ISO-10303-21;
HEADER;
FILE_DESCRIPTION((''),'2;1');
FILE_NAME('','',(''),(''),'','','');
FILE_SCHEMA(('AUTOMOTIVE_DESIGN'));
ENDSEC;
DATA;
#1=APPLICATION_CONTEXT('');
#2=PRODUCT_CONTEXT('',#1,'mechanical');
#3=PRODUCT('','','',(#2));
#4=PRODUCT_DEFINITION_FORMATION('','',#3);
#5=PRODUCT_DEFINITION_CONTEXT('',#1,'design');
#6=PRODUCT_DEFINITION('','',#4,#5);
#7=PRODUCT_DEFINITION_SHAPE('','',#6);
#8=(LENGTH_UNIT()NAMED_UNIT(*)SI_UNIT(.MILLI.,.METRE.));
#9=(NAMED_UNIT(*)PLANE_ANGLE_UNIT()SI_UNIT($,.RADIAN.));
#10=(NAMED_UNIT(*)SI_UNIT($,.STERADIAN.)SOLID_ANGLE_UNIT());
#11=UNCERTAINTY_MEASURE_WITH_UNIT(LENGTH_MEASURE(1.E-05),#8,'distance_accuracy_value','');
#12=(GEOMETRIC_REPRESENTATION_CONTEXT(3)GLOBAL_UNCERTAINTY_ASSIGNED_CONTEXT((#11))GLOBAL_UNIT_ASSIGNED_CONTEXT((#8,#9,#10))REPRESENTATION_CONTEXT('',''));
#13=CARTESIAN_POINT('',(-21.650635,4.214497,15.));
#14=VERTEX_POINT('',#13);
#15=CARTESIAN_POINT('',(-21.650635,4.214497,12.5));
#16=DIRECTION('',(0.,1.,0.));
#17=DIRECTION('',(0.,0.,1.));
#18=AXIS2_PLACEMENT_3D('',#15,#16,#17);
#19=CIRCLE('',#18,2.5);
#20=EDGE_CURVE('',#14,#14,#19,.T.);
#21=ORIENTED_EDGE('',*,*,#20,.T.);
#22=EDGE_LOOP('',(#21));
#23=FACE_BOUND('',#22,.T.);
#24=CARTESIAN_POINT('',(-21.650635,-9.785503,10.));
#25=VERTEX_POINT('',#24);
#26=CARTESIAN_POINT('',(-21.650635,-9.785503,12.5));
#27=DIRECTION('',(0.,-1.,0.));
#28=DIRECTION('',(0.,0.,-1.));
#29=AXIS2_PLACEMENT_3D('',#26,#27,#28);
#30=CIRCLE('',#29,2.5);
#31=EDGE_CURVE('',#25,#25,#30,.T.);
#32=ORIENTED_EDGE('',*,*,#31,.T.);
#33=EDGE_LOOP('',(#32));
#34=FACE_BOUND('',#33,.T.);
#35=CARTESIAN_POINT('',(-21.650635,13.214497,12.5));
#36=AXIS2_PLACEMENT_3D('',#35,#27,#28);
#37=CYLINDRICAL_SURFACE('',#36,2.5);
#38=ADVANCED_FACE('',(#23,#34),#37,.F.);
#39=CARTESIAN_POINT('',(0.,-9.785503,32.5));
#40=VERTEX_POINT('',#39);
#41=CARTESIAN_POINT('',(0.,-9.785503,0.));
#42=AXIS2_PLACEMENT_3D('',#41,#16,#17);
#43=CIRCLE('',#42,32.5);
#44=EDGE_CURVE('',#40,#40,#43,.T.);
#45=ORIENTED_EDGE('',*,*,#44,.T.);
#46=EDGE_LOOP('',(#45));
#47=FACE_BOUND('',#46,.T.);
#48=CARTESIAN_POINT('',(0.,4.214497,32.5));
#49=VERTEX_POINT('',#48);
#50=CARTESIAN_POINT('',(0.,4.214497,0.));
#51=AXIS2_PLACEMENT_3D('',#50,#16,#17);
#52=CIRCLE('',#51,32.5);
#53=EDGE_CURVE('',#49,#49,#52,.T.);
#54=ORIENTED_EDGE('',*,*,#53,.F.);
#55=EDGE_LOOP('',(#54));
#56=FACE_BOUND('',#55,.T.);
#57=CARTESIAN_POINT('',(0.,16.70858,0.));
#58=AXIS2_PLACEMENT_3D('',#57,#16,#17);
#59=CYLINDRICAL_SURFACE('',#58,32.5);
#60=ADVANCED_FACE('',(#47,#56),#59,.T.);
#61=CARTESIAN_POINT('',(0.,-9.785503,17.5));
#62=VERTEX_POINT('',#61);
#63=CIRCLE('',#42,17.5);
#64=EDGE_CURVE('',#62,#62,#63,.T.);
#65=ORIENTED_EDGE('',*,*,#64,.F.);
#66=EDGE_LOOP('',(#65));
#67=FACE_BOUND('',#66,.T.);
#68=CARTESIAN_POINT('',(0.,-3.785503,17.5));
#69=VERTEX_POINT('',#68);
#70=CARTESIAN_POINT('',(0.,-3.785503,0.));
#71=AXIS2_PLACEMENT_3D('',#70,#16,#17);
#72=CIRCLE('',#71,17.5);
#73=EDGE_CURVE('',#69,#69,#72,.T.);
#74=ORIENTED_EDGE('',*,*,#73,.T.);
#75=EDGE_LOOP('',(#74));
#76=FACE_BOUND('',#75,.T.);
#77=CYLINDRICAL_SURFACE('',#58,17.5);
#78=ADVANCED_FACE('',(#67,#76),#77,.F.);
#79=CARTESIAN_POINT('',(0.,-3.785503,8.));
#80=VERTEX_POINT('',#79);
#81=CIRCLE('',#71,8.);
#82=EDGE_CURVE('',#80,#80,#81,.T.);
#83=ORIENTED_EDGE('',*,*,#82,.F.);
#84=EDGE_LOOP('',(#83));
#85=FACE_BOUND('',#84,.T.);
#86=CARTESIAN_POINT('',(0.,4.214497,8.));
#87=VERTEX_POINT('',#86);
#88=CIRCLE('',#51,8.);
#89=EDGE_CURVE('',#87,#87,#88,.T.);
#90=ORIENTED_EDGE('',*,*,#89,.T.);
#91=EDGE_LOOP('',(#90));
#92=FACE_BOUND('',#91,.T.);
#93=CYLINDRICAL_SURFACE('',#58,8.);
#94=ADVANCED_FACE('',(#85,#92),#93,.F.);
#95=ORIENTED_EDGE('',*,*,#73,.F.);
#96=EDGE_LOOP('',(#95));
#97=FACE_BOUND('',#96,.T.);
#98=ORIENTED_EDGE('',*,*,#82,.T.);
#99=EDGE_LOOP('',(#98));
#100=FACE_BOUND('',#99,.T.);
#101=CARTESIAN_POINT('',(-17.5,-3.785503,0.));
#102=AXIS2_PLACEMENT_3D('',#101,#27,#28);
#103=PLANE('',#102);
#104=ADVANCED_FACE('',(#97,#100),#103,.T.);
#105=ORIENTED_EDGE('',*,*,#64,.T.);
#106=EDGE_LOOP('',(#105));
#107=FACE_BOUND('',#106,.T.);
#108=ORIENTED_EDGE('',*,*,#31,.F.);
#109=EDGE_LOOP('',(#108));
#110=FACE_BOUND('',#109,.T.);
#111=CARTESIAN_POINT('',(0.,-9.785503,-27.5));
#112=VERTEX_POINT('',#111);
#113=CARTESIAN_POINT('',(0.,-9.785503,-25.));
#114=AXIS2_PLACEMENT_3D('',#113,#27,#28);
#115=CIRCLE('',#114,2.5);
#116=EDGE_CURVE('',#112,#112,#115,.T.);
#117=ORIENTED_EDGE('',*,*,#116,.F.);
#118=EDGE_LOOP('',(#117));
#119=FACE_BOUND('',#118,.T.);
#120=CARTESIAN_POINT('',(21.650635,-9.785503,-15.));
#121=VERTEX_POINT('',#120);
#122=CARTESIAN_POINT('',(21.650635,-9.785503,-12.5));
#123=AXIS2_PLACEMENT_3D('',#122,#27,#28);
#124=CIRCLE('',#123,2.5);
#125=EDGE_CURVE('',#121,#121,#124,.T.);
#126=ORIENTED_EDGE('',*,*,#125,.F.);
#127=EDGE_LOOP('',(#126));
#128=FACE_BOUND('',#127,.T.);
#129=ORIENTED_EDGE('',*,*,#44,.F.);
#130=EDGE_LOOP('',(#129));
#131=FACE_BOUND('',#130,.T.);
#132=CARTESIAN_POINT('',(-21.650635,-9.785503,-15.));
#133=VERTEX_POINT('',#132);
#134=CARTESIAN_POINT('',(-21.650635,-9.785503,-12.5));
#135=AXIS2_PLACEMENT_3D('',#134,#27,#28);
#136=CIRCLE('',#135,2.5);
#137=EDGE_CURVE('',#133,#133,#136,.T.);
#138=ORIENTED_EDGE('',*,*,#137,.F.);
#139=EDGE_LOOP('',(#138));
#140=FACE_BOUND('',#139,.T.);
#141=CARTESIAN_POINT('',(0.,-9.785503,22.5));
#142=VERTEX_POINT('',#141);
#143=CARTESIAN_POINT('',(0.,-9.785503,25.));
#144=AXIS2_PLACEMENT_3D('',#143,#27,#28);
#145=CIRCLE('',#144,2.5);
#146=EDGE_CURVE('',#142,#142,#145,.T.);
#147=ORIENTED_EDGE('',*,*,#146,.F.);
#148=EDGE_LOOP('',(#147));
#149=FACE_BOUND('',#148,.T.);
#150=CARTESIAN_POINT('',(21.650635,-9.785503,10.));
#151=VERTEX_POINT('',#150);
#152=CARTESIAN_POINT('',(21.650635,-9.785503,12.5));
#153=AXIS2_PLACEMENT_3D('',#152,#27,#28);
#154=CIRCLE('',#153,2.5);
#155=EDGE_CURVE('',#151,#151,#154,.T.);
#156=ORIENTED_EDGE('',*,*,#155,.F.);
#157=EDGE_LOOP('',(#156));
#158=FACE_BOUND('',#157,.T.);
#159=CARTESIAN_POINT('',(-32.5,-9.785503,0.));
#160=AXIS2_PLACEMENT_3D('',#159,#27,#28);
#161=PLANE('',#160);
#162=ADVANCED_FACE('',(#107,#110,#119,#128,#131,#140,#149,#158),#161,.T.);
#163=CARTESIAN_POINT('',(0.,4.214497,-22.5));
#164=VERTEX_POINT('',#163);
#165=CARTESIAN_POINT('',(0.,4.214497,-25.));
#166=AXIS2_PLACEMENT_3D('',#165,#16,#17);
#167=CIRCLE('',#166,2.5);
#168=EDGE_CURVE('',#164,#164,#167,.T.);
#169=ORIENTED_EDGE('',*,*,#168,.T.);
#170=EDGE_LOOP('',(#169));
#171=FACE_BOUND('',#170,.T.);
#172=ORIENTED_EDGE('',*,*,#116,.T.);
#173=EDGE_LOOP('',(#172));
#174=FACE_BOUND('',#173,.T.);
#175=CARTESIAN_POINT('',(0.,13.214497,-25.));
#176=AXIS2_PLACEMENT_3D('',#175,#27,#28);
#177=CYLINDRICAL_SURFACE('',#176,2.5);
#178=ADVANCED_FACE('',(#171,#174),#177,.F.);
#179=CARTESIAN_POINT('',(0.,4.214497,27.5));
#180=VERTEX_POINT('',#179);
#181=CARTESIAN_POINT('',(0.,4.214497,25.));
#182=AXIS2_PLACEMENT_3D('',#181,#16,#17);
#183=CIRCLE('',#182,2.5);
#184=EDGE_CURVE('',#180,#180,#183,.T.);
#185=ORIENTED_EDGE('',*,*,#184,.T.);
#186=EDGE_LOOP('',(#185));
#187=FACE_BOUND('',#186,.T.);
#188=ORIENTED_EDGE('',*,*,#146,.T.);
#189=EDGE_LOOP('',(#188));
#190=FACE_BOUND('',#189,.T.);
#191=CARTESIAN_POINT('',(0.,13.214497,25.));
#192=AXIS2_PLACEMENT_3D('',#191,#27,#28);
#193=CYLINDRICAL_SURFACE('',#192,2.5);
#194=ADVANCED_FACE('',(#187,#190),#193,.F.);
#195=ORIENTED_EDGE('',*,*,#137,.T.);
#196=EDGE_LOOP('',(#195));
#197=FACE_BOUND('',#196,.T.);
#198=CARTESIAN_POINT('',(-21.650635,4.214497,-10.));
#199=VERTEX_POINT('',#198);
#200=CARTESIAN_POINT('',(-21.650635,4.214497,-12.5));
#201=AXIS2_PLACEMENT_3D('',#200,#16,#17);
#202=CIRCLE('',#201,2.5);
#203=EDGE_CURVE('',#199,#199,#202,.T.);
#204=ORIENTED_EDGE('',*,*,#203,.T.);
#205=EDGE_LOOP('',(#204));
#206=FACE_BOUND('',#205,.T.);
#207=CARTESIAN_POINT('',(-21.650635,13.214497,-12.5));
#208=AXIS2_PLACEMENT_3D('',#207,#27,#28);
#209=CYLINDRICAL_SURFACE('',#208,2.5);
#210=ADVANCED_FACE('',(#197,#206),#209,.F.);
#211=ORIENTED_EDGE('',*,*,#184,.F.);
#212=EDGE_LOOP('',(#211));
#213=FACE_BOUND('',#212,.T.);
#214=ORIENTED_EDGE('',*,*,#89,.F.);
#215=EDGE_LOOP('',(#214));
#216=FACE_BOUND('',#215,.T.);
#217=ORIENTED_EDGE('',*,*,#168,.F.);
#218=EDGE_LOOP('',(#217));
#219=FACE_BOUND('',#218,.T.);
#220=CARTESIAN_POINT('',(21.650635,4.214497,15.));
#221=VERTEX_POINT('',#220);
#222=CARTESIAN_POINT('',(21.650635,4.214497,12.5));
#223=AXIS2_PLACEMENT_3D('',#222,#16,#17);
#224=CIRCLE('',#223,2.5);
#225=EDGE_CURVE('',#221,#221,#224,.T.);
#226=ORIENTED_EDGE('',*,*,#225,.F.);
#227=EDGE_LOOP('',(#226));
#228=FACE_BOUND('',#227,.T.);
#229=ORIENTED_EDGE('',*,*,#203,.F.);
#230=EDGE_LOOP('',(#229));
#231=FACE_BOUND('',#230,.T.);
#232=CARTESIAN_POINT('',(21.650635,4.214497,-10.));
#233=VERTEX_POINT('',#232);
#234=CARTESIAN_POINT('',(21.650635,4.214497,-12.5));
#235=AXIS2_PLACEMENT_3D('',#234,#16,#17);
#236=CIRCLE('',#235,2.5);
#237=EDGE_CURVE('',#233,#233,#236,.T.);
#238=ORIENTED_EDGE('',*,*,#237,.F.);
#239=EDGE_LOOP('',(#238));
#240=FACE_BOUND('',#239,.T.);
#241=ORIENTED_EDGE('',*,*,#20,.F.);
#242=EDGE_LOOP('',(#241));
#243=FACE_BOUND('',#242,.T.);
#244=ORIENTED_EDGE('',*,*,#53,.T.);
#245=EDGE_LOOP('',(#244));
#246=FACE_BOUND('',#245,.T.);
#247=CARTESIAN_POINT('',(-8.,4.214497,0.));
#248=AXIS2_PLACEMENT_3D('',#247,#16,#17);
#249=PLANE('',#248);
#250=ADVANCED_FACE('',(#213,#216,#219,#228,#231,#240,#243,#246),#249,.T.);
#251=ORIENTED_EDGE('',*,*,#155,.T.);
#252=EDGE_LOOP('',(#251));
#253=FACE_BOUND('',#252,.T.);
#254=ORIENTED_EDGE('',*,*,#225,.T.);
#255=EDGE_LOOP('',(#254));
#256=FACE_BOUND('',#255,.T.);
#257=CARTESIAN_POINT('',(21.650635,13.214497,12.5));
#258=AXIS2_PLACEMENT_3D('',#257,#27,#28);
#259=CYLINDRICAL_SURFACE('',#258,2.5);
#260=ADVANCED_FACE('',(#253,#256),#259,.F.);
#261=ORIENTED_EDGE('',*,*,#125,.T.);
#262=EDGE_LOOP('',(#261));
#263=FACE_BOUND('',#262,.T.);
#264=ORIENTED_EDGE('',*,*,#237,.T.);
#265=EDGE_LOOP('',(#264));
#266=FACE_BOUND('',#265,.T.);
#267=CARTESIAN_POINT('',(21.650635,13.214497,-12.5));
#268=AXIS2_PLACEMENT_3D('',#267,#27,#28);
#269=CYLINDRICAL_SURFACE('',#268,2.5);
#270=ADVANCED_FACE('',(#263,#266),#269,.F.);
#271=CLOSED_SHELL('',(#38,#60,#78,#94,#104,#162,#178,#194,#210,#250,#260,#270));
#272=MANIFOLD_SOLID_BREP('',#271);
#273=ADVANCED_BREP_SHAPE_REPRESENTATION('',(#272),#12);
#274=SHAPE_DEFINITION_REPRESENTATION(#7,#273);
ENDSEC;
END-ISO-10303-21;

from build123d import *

# Parameters (mm, degrees)
SKETCH2_R          = 2.5
CUT_EXTRUDE1_DEPTH = 23


with BuildPart() as part:
    # Sketch1 → Revolve1 (revolve)
    with BuildSketch(Plane.XY, mode=Mode.PRIVATE) as revolve1_sk:
        Polygon((-8, 4.214497041), (-32.5, 4.214497041), (-32.5, -9.785502959), (-17.5, -9.785502959), (-17.5, -3.785502959), (-8, -3.785502959), align=None)
    revolve(revolve1_sk.sketch.rotate(Axis((0, 16.708579882, 0), (0, -1, 0)), 270), axis=Axis((0, 16.708579882, 0), (0, -1, 0)))

    # Sketch2 → Cut-Extrude1 (cut)
    with BuildSketch(Plane.XZ.offset(9.785502959)):
        with Locations(Location((0, 25, 0), (0, 0, 270))):
            Circle(SKETCH2_R)
        with Locations(Location((21.650635095, 12.5, 0), (0, 0, 270))):
            Circle(SKETCH2_R)
        with Locations(Location((21.650635095, -12.5, 0), (0, 0, 270))):
            Circle(SKETCH2_R)
        with Locations(Location((0, -25, 0), (0, 0, 270))):
            Circle(SKETCH2_R)
        with Locations(Location((-21.650635095, -12.5, 0), (0, 0, 270))):
            Circle(SKETCH2_R)
        with Locations(Location((-21.650635095, 12.5, 0), (0, 0, 270))):
            Circle(SKETCH2_R)
    extrude(amount=-CUT_EXTRUDE1_DEPTH, mode=Mode.SUBTRACT)


solid = part.part
